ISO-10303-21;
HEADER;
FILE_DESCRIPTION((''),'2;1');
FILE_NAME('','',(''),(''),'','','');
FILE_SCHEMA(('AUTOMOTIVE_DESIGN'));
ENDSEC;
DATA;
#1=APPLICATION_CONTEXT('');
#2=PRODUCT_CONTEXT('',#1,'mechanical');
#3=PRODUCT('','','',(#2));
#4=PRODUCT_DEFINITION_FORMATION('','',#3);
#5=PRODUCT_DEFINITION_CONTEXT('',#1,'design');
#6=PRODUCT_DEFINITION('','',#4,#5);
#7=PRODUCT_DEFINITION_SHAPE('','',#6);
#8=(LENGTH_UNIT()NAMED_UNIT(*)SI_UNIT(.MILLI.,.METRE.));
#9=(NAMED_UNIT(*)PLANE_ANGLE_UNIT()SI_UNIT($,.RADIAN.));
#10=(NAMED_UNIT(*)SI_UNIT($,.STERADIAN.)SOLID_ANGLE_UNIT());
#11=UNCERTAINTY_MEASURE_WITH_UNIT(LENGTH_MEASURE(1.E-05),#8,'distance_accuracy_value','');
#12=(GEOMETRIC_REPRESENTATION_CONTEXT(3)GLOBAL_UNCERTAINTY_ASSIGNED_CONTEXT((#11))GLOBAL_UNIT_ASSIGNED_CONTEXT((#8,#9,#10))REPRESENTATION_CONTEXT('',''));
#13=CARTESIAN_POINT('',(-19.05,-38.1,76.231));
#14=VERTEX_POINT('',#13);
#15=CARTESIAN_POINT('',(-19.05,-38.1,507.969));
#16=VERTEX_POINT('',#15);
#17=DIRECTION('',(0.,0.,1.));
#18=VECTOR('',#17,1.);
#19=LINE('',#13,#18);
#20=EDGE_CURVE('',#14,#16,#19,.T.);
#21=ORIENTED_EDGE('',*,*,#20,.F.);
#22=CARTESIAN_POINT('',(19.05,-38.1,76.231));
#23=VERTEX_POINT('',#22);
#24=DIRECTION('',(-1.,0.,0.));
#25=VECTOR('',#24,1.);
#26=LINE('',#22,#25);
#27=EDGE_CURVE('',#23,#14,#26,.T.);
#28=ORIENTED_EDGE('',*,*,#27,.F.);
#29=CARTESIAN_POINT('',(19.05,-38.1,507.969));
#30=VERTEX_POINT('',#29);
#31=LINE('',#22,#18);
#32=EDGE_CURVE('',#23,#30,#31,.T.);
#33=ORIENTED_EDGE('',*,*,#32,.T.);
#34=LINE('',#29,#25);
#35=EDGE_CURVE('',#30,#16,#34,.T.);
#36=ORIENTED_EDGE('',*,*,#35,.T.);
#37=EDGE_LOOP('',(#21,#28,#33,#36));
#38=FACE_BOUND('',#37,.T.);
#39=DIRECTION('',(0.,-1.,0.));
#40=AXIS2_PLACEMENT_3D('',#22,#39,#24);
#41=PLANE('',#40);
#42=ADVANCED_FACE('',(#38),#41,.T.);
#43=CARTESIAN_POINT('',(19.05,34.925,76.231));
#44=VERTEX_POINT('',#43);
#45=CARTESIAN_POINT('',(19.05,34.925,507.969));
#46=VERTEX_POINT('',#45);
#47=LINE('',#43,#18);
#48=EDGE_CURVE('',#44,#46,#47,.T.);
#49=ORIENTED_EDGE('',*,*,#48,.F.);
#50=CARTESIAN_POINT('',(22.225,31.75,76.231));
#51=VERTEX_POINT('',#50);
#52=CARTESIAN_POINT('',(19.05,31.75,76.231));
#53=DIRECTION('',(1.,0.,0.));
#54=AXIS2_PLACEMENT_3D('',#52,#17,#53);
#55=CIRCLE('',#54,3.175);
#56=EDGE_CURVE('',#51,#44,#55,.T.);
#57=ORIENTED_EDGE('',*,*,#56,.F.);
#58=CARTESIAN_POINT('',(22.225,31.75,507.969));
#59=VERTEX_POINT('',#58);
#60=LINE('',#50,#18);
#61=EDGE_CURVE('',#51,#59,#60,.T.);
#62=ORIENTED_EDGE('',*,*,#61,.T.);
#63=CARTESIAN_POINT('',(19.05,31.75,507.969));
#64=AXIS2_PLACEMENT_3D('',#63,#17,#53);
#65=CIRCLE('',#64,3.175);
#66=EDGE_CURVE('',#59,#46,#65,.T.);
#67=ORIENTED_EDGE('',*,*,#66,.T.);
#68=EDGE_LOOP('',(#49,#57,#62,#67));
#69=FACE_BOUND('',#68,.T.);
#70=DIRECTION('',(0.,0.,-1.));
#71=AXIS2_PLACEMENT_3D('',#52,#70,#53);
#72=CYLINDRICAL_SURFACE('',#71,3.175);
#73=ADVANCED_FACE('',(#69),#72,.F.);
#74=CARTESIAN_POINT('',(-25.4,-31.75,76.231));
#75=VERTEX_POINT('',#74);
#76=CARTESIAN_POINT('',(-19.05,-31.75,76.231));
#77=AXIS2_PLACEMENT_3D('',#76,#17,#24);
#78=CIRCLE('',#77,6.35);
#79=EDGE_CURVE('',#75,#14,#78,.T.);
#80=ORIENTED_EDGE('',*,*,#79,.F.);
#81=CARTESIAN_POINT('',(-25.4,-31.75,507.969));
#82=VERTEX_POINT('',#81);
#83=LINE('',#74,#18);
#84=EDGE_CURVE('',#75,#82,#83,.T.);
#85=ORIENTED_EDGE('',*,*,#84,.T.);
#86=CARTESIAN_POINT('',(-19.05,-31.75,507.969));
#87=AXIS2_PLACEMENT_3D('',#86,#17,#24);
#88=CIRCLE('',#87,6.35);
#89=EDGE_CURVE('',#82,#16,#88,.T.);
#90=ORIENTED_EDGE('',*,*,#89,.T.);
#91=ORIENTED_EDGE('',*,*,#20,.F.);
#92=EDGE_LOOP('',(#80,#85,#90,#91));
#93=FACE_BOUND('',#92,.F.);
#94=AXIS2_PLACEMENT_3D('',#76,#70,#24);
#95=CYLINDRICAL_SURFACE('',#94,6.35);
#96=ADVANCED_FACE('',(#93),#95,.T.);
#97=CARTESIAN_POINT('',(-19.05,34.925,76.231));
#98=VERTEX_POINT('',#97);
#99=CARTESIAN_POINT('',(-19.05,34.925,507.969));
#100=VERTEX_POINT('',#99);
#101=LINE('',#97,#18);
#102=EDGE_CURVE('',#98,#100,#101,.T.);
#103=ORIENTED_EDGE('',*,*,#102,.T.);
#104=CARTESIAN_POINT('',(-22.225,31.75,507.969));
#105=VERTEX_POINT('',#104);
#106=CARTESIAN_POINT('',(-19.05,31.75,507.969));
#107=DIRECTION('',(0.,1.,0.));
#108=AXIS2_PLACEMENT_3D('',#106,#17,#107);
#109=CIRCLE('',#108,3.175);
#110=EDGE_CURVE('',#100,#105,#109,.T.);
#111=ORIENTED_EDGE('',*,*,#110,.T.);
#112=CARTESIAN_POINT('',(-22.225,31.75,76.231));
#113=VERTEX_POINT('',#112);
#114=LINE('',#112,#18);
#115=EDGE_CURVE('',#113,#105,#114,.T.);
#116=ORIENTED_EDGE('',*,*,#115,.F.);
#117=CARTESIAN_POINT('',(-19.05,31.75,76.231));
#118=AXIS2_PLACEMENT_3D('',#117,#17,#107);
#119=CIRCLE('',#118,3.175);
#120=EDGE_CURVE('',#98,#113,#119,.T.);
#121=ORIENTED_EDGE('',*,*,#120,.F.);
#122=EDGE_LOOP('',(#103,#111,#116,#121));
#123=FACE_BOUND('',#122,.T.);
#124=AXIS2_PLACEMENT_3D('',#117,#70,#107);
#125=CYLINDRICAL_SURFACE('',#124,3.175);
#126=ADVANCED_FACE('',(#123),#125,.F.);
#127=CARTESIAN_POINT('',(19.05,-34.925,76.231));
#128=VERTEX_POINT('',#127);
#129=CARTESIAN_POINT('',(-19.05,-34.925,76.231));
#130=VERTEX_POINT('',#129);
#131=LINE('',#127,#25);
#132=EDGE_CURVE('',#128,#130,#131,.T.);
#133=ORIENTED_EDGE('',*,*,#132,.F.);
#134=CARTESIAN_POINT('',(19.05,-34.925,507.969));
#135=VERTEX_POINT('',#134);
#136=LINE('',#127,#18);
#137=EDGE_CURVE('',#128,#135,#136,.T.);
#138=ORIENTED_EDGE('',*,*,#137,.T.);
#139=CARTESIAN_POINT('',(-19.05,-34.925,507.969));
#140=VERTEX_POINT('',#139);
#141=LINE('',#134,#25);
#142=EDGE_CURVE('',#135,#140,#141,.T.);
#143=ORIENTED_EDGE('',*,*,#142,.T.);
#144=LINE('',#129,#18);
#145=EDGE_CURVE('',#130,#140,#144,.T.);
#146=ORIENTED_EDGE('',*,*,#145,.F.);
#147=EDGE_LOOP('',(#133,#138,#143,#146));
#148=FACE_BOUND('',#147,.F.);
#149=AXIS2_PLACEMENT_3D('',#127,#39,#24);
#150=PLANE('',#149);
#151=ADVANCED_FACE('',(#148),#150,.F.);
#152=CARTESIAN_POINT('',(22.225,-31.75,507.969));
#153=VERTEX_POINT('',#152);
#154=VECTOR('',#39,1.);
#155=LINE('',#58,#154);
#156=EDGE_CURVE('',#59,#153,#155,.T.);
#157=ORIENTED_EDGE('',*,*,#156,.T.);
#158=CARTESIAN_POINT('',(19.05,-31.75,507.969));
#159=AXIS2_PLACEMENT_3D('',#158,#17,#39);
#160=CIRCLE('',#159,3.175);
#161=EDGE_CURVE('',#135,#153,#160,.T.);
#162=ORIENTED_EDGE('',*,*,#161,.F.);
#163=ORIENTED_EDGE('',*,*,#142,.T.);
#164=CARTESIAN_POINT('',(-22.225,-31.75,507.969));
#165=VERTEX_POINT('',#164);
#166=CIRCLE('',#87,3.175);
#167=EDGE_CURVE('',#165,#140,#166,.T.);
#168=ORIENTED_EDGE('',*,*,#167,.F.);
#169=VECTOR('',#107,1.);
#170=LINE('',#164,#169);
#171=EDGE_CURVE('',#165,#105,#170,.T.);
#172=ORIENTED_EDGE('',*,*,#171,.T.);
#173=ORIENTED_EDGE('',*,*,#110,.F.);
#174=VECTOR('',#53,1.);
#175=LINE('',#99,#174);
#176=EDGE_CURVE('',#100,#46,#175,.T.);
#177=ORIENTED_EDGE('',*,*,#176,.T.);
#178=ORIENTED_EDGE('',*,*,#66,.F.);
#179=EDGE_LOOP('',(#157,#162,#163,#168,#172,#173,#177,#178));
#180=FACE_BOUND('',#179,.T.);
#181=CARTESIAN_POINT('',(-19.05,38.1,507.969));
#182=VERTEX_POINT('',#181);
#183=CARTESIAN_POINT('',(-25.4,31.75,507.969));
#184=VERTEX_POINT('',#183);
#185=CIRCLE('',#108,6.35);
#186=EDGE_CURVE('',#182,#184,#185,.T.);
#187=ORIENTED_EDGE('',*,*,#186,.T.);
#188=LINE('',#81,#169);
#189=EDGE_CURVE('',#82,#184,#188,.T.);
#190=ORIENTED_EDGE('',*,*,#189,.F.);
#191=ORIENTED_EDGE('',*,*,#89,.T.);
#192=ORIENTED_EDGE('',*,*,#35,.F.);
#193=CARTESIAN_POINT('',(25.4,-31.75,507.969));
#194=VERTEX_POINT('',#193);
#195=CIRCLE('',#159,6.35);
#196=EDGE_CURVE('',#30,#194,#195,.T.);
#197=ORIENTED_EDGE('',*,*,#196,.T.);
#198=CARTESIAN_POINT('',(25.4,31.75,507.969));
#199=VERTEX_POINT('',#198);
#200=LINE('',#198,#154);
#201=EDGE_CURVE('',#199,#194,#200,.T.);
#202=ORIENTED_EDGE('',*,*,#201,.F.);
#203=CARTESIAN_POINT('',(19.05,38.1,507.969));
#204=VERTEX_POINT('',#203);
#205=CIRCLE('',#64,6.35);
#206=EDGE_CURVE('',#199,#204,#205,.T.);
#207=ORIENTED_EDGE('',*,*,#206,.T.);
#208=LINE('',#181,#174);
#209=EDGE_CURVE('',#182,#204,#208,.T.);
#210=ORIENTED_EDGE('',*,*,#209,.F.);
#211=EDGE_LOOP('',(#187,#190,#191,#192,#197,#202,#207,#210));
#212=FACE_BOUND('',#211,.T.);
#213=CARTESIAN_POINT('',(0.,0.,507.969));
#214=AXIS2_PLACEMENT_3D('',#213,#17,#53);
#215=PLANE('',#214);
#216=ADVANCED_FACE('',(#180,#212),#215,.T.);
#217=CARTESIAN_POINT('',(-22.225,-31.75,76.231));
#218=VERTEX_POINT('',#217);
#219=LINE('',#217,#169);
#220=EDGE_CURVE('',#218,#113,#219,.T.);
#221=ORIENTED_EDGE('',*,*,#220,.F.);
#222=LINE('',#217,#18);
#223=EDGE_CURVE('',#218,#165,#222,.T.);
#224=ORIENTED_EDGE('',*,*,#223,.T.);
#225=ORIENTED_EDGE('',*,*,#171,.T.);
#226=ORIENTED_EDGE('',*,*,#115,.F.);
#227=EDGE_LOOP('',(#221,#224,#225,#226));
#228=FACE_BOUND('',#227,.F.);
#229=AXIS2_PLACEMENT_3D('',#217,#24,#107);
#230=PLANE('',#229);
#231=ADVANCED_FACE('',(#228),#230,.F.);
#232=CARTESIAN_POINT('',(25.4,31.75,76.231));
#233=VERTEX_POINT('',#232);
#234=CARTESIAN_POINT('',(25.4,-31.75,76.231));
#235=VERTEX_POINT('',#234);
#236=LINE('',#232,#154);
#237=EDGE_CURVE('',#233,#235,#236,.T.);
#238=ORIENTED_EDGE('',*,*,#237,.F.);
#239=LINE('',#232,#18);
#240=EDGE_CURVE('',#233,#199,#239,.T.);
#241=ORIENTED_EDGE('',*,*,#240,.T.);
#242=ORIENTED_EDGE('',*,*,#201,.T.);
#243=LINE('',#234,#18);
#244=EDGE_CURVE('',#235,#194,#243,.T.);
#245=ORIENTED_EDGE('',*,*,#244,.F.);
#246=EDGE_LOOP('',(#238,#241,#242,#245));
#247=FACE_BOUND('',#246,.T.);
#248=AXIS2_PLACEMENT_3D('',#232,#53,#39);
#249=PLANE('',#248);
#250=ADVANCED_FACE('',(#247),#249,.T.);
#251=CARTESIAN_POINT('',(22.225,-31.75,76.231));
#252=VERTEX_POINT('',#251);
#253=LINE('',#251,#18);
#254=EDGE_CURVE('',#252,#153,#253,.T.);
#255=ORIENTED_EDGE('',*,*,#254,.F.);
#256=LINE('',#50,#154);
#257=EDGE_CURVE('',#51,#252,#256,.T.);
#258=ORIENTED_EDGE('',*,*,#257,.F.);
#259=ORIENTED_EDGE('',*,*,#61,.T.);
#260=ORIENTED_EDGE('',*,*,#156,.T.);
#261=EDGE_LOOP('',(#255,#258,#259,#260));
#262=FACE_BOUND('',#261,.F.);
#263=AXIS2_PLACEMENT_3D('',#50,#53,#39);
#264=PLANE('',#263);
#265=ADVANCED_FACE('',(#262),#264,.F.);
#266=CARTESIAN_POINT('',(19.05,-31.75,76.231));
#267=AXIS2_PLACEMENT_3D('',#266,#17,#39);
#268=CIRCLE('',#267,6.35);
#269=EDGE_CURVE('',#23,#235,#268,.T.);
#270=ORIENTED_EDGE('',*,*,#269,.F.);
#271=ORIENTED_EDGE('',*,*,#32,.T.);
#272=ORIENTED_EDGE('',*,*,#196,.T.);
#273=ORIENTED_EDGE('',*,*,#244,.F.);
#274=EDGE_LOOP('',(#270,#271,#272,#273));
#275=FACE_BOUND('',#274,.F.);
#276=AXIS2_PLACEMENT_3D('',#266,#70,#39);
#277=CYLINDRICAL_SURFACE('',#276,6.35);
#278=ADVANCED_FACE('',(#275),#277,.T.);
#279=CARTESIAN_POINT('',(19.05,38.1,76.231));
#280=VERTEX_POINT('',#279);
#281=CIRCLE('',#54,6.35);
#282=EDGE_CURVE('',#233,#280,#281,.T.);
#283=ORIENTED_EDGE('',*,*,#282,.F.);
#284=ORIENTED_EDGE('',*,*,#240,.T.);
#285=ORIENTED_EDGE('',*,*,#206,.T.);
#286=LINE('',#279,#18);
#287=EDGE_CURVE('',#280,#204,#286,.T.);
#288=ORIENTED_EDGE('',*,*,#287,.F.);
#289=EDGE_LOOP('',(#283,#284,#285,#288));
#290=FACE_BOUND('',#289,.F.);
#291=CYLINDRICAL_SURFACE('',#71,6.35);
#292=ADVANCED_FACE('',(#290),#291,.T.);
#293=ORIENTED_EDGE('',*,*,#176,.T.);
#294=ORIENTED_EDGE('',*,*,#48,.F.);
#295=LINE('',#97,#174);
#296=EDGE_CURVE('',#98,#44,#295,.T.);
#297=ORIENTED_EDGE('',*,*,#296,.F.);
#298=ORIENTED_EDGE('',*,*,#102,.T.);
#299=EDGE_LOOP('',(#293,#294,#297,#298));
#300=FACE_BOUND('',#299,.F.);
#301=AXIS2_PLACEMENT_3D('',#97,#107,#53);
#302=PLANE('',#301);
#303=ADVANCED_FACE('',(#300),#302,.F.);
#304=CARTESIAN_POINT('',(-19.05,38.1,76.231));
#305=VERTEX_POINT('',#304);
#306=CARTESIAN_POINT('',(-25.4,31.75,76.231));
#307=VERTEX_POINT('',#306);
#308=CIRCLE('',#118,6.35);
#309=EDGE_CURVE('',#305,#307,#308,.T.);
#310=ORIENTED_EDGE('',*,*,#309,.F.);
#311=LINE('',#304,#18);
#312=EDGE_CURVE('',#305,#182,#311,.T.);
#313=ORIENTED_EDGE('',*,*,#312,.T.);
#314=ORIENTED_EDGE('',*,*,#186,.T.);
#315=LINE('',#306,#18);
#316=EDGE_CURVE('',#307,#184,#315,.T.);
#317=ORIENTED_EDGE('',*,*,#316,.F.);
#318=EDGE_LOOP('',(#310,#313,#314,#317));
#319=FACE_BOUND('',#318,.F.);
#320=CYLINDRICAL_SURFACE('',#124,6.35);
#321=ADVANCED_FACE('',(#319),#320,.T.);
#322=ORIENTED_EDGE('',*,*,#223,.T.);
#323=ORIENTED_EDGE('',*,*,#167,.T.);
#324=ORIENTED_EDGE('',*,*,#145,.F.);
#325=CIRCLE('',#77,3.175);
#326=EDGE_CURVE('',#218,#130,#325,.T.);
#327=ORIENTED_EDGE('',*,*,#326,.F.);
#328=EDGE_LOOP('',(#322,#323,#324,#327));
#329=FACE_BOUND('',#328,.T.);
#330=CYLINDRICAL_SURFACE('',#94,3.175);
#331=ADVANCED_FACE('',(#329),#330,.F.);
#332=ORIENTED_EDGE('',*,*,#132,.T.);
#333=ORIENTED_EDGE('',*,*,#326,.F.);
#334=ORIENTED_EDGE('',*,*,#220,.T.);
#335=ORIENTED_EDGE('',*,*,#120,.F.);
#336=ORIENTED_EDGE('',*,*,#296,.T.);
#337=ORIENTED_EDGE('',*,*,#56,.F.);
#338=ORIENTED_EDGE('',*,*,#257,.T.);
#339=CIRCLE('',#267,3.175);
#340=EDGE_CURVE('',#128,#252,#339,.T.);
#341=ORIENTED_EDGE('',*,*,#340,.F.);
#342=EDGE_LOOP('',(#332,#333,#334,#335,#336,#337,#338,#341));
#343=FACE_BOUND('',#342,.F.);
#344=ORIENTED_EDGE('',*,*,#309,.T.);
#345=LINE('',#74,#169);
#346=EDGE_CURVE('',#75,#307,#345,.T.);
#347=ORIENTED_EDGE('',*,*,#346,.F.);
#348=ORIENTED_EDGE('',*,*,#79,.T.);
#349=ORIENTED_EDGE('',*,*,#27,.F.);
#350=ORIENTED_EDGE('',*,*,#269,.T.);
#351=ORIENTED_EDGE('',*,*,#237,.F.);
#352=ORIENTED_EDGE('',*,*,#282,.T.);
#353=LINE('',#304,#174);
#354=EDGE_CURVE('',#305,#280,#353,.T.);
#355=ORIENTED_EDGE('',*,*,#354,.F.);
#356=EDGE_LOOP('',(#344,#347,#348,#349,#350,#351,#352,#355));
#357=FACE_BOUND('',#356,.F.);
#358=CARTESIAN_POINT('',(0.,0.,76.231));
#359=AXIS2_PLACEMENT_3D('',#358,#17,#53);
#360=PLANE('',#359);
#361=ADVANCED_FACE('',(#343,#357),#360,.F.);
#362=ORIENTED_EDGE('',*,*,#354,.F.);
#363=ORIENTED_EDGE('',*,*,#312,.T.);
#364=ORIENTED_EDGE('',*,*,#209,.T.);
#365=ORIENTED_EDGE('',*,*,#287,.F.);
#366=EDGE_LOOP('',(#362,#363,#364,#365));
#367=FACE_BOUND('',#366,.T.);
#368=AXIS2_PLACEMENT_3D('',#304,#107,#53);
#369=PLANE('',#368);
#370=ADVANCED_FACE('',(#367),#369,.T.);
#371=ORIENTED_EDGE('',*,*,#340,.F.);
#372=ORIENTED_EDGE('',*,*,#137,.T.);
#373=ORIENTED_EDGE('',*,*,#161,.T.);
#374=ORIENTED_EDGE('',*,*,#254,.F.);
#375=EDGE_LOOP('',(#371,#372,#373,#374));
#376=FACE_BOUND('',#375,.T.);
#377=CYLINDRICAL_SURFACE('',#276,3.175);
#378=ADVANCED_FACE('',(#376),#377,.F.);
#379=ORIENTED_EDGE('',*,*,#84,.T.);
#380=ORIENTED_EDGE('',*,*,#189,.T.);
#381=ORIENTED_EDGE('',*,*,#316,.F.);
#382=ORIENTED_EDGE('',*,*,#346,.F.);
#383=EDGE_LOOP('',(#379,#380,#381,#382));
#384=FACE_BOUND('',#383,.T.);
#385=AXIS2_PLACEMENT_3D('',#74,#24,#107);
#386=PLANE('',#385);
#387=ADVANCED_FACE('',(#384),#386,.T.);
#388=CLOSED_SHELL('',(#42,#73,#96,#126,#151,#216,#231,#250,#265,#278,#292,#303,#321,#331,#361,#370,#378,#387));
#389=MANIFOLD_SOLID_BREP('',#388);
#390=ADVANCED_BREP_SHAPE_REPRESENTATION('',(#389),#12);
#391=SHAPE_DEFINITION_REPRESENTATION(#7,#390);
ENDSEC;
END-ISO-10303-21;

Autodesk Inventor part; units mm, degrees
ref_plane "Start Plane" through (0, 0, 76.231) normal (0, 0, 1) x (1, 0, 0)
ref_plane "End Plane" through (0, 0, 507.969) normal (0, 0, 1) x (1, 0, 0)
sketch "Sketch" plane through (0, 0, 0) normal (0, 0, 1) x (1, 0, 0)
  line L0 (-25.4, -31.75) -> (-25.4, 31.75)
  line L1 (-19.05, 38.1) -> (19.05, 38.1)
  line L2 (25.4, 31.75) -> (25.4, -31.75)
  line L3 (19.05, -38.1) -> (-19.05, -38.1)
  arc A0 (-25.4, -31.75) -> (-19.05, -38.1) centre (-19.05, -31.75) ccw
  arc A1 (-19.05, 38.1) -> (-25.4, 31.75) centre (-19.05, 31.75) ccw
  arc A2 (25.4, 31.75) -> (19.05, 38.1) centre (19.05, 31.75) ccw
  arc A3 (19.05, -38.1) -> (25.4, -31.75) centre (19.05, -31.75) ccw
  arc A4 (-19.05, 34.925) -> (-22.225, 31.75) centre (-19.05, 31.75) ccw
  line L4 (-19.05, 34.925) -> (19.05, 34.925)
  arc A5 (22.225, 31.75) -> (19.05, 34.925) centre (19.05, 31.75) ccw
  line L5 (22.225, 31.75) -> (22.225, -31.75)
  arc A6 (19.05, -34.925) -> (22.225, -31.75) centre (19.05, -31.75) ccw
  line L6 (19.05, -34.925) -> (-19.05, -34.925)
  arc A7 (-22.225, -31.75) -> (-19.05, -34.925) centre (-19.05, -31.75) ccw
  line L7 (-22.225, -31.75) -> (-22.225, 31.75)
  line L8 (0, 55.1812) -> (0, -55.1812) construction
  line L9 (-37.4012, 0) -> (37.4012, 0) construction
  dimension "d10" = 76.2
  dimension "d11" = 50.8
  dimension "d12" = 3.175
  dimension "d15" = 38.1
  dimension "d16" = 25.4
  dimension "d17" = 6.35
extrude "Body" add sketch "Sketch" along normal up to surface (431.738 mm away) from surface at 76.231
sketch "Sketch3" plane through (0, 0, 0) normal (0, 0, 1) x (1, 0, 0)
  line L0 (0, 0) -> (10, 0)
ref_plane "Work Plane3" through (0, 0, 0) normal (0, -1, 0) x (1, 0, 0)
ref_plane "Work Plane4" through (-19.05, 1892.3, 76.231) normal (0, 0, -1) x (-1, 0, 0)
split "Split1" plane through (-19.05, 1892.3, 76.231) removes the side toward (0, 0, -1)
ref_plane "Work Plane5" through (19.05, 1892.3, 507.969) normal (0, 0, 1) x (1, 0, 0)
split "Split2" plane through (19.05, 1892.3, 507.969) removes the side toward (0, 0, 1)
sketch "Sketch4" plane through (0, 0, 0) normal (0, -1, 0) x (1, 0, 0)
  line L0 (-2, 76.231) -> (12, 76.231) projected
  line L1 (-2, 507.969) -> (12, 507.969) projected
  dimension "d19" = 431.738
equation "\"d10\" = G_H"
equation "\"d11\" = G_W"
equation "\"d12\" = G_T"
equation "\"d15\" = 0.5 * d10"
equation "\"d16\" = 0.5 * d11"
equation "\"d17\" = G_IR"
equation "\"d3\" = G_L"
equation "\"G_W\" = 50.8"
equation "\"G_H\" = 76.2"
equation "\"G_T\" = 3.175"
equation "\"G_IR\" = 6.35"
equation "\"G_L\" = d19"
equation "\"G_OFFSET_START\" = -76.231"
equation "\"G_OFFSET_END\" = -76.231"
equation "\"d13\" = -G_OFFSET_START"
equation "\"d14\" = G_OFFSET_END + B_L"
equation "\"B_L\" = 584.2"
properties part number "AISC - 3 x 2 x 1/8 - 16.998" material "Steel, Mild"
